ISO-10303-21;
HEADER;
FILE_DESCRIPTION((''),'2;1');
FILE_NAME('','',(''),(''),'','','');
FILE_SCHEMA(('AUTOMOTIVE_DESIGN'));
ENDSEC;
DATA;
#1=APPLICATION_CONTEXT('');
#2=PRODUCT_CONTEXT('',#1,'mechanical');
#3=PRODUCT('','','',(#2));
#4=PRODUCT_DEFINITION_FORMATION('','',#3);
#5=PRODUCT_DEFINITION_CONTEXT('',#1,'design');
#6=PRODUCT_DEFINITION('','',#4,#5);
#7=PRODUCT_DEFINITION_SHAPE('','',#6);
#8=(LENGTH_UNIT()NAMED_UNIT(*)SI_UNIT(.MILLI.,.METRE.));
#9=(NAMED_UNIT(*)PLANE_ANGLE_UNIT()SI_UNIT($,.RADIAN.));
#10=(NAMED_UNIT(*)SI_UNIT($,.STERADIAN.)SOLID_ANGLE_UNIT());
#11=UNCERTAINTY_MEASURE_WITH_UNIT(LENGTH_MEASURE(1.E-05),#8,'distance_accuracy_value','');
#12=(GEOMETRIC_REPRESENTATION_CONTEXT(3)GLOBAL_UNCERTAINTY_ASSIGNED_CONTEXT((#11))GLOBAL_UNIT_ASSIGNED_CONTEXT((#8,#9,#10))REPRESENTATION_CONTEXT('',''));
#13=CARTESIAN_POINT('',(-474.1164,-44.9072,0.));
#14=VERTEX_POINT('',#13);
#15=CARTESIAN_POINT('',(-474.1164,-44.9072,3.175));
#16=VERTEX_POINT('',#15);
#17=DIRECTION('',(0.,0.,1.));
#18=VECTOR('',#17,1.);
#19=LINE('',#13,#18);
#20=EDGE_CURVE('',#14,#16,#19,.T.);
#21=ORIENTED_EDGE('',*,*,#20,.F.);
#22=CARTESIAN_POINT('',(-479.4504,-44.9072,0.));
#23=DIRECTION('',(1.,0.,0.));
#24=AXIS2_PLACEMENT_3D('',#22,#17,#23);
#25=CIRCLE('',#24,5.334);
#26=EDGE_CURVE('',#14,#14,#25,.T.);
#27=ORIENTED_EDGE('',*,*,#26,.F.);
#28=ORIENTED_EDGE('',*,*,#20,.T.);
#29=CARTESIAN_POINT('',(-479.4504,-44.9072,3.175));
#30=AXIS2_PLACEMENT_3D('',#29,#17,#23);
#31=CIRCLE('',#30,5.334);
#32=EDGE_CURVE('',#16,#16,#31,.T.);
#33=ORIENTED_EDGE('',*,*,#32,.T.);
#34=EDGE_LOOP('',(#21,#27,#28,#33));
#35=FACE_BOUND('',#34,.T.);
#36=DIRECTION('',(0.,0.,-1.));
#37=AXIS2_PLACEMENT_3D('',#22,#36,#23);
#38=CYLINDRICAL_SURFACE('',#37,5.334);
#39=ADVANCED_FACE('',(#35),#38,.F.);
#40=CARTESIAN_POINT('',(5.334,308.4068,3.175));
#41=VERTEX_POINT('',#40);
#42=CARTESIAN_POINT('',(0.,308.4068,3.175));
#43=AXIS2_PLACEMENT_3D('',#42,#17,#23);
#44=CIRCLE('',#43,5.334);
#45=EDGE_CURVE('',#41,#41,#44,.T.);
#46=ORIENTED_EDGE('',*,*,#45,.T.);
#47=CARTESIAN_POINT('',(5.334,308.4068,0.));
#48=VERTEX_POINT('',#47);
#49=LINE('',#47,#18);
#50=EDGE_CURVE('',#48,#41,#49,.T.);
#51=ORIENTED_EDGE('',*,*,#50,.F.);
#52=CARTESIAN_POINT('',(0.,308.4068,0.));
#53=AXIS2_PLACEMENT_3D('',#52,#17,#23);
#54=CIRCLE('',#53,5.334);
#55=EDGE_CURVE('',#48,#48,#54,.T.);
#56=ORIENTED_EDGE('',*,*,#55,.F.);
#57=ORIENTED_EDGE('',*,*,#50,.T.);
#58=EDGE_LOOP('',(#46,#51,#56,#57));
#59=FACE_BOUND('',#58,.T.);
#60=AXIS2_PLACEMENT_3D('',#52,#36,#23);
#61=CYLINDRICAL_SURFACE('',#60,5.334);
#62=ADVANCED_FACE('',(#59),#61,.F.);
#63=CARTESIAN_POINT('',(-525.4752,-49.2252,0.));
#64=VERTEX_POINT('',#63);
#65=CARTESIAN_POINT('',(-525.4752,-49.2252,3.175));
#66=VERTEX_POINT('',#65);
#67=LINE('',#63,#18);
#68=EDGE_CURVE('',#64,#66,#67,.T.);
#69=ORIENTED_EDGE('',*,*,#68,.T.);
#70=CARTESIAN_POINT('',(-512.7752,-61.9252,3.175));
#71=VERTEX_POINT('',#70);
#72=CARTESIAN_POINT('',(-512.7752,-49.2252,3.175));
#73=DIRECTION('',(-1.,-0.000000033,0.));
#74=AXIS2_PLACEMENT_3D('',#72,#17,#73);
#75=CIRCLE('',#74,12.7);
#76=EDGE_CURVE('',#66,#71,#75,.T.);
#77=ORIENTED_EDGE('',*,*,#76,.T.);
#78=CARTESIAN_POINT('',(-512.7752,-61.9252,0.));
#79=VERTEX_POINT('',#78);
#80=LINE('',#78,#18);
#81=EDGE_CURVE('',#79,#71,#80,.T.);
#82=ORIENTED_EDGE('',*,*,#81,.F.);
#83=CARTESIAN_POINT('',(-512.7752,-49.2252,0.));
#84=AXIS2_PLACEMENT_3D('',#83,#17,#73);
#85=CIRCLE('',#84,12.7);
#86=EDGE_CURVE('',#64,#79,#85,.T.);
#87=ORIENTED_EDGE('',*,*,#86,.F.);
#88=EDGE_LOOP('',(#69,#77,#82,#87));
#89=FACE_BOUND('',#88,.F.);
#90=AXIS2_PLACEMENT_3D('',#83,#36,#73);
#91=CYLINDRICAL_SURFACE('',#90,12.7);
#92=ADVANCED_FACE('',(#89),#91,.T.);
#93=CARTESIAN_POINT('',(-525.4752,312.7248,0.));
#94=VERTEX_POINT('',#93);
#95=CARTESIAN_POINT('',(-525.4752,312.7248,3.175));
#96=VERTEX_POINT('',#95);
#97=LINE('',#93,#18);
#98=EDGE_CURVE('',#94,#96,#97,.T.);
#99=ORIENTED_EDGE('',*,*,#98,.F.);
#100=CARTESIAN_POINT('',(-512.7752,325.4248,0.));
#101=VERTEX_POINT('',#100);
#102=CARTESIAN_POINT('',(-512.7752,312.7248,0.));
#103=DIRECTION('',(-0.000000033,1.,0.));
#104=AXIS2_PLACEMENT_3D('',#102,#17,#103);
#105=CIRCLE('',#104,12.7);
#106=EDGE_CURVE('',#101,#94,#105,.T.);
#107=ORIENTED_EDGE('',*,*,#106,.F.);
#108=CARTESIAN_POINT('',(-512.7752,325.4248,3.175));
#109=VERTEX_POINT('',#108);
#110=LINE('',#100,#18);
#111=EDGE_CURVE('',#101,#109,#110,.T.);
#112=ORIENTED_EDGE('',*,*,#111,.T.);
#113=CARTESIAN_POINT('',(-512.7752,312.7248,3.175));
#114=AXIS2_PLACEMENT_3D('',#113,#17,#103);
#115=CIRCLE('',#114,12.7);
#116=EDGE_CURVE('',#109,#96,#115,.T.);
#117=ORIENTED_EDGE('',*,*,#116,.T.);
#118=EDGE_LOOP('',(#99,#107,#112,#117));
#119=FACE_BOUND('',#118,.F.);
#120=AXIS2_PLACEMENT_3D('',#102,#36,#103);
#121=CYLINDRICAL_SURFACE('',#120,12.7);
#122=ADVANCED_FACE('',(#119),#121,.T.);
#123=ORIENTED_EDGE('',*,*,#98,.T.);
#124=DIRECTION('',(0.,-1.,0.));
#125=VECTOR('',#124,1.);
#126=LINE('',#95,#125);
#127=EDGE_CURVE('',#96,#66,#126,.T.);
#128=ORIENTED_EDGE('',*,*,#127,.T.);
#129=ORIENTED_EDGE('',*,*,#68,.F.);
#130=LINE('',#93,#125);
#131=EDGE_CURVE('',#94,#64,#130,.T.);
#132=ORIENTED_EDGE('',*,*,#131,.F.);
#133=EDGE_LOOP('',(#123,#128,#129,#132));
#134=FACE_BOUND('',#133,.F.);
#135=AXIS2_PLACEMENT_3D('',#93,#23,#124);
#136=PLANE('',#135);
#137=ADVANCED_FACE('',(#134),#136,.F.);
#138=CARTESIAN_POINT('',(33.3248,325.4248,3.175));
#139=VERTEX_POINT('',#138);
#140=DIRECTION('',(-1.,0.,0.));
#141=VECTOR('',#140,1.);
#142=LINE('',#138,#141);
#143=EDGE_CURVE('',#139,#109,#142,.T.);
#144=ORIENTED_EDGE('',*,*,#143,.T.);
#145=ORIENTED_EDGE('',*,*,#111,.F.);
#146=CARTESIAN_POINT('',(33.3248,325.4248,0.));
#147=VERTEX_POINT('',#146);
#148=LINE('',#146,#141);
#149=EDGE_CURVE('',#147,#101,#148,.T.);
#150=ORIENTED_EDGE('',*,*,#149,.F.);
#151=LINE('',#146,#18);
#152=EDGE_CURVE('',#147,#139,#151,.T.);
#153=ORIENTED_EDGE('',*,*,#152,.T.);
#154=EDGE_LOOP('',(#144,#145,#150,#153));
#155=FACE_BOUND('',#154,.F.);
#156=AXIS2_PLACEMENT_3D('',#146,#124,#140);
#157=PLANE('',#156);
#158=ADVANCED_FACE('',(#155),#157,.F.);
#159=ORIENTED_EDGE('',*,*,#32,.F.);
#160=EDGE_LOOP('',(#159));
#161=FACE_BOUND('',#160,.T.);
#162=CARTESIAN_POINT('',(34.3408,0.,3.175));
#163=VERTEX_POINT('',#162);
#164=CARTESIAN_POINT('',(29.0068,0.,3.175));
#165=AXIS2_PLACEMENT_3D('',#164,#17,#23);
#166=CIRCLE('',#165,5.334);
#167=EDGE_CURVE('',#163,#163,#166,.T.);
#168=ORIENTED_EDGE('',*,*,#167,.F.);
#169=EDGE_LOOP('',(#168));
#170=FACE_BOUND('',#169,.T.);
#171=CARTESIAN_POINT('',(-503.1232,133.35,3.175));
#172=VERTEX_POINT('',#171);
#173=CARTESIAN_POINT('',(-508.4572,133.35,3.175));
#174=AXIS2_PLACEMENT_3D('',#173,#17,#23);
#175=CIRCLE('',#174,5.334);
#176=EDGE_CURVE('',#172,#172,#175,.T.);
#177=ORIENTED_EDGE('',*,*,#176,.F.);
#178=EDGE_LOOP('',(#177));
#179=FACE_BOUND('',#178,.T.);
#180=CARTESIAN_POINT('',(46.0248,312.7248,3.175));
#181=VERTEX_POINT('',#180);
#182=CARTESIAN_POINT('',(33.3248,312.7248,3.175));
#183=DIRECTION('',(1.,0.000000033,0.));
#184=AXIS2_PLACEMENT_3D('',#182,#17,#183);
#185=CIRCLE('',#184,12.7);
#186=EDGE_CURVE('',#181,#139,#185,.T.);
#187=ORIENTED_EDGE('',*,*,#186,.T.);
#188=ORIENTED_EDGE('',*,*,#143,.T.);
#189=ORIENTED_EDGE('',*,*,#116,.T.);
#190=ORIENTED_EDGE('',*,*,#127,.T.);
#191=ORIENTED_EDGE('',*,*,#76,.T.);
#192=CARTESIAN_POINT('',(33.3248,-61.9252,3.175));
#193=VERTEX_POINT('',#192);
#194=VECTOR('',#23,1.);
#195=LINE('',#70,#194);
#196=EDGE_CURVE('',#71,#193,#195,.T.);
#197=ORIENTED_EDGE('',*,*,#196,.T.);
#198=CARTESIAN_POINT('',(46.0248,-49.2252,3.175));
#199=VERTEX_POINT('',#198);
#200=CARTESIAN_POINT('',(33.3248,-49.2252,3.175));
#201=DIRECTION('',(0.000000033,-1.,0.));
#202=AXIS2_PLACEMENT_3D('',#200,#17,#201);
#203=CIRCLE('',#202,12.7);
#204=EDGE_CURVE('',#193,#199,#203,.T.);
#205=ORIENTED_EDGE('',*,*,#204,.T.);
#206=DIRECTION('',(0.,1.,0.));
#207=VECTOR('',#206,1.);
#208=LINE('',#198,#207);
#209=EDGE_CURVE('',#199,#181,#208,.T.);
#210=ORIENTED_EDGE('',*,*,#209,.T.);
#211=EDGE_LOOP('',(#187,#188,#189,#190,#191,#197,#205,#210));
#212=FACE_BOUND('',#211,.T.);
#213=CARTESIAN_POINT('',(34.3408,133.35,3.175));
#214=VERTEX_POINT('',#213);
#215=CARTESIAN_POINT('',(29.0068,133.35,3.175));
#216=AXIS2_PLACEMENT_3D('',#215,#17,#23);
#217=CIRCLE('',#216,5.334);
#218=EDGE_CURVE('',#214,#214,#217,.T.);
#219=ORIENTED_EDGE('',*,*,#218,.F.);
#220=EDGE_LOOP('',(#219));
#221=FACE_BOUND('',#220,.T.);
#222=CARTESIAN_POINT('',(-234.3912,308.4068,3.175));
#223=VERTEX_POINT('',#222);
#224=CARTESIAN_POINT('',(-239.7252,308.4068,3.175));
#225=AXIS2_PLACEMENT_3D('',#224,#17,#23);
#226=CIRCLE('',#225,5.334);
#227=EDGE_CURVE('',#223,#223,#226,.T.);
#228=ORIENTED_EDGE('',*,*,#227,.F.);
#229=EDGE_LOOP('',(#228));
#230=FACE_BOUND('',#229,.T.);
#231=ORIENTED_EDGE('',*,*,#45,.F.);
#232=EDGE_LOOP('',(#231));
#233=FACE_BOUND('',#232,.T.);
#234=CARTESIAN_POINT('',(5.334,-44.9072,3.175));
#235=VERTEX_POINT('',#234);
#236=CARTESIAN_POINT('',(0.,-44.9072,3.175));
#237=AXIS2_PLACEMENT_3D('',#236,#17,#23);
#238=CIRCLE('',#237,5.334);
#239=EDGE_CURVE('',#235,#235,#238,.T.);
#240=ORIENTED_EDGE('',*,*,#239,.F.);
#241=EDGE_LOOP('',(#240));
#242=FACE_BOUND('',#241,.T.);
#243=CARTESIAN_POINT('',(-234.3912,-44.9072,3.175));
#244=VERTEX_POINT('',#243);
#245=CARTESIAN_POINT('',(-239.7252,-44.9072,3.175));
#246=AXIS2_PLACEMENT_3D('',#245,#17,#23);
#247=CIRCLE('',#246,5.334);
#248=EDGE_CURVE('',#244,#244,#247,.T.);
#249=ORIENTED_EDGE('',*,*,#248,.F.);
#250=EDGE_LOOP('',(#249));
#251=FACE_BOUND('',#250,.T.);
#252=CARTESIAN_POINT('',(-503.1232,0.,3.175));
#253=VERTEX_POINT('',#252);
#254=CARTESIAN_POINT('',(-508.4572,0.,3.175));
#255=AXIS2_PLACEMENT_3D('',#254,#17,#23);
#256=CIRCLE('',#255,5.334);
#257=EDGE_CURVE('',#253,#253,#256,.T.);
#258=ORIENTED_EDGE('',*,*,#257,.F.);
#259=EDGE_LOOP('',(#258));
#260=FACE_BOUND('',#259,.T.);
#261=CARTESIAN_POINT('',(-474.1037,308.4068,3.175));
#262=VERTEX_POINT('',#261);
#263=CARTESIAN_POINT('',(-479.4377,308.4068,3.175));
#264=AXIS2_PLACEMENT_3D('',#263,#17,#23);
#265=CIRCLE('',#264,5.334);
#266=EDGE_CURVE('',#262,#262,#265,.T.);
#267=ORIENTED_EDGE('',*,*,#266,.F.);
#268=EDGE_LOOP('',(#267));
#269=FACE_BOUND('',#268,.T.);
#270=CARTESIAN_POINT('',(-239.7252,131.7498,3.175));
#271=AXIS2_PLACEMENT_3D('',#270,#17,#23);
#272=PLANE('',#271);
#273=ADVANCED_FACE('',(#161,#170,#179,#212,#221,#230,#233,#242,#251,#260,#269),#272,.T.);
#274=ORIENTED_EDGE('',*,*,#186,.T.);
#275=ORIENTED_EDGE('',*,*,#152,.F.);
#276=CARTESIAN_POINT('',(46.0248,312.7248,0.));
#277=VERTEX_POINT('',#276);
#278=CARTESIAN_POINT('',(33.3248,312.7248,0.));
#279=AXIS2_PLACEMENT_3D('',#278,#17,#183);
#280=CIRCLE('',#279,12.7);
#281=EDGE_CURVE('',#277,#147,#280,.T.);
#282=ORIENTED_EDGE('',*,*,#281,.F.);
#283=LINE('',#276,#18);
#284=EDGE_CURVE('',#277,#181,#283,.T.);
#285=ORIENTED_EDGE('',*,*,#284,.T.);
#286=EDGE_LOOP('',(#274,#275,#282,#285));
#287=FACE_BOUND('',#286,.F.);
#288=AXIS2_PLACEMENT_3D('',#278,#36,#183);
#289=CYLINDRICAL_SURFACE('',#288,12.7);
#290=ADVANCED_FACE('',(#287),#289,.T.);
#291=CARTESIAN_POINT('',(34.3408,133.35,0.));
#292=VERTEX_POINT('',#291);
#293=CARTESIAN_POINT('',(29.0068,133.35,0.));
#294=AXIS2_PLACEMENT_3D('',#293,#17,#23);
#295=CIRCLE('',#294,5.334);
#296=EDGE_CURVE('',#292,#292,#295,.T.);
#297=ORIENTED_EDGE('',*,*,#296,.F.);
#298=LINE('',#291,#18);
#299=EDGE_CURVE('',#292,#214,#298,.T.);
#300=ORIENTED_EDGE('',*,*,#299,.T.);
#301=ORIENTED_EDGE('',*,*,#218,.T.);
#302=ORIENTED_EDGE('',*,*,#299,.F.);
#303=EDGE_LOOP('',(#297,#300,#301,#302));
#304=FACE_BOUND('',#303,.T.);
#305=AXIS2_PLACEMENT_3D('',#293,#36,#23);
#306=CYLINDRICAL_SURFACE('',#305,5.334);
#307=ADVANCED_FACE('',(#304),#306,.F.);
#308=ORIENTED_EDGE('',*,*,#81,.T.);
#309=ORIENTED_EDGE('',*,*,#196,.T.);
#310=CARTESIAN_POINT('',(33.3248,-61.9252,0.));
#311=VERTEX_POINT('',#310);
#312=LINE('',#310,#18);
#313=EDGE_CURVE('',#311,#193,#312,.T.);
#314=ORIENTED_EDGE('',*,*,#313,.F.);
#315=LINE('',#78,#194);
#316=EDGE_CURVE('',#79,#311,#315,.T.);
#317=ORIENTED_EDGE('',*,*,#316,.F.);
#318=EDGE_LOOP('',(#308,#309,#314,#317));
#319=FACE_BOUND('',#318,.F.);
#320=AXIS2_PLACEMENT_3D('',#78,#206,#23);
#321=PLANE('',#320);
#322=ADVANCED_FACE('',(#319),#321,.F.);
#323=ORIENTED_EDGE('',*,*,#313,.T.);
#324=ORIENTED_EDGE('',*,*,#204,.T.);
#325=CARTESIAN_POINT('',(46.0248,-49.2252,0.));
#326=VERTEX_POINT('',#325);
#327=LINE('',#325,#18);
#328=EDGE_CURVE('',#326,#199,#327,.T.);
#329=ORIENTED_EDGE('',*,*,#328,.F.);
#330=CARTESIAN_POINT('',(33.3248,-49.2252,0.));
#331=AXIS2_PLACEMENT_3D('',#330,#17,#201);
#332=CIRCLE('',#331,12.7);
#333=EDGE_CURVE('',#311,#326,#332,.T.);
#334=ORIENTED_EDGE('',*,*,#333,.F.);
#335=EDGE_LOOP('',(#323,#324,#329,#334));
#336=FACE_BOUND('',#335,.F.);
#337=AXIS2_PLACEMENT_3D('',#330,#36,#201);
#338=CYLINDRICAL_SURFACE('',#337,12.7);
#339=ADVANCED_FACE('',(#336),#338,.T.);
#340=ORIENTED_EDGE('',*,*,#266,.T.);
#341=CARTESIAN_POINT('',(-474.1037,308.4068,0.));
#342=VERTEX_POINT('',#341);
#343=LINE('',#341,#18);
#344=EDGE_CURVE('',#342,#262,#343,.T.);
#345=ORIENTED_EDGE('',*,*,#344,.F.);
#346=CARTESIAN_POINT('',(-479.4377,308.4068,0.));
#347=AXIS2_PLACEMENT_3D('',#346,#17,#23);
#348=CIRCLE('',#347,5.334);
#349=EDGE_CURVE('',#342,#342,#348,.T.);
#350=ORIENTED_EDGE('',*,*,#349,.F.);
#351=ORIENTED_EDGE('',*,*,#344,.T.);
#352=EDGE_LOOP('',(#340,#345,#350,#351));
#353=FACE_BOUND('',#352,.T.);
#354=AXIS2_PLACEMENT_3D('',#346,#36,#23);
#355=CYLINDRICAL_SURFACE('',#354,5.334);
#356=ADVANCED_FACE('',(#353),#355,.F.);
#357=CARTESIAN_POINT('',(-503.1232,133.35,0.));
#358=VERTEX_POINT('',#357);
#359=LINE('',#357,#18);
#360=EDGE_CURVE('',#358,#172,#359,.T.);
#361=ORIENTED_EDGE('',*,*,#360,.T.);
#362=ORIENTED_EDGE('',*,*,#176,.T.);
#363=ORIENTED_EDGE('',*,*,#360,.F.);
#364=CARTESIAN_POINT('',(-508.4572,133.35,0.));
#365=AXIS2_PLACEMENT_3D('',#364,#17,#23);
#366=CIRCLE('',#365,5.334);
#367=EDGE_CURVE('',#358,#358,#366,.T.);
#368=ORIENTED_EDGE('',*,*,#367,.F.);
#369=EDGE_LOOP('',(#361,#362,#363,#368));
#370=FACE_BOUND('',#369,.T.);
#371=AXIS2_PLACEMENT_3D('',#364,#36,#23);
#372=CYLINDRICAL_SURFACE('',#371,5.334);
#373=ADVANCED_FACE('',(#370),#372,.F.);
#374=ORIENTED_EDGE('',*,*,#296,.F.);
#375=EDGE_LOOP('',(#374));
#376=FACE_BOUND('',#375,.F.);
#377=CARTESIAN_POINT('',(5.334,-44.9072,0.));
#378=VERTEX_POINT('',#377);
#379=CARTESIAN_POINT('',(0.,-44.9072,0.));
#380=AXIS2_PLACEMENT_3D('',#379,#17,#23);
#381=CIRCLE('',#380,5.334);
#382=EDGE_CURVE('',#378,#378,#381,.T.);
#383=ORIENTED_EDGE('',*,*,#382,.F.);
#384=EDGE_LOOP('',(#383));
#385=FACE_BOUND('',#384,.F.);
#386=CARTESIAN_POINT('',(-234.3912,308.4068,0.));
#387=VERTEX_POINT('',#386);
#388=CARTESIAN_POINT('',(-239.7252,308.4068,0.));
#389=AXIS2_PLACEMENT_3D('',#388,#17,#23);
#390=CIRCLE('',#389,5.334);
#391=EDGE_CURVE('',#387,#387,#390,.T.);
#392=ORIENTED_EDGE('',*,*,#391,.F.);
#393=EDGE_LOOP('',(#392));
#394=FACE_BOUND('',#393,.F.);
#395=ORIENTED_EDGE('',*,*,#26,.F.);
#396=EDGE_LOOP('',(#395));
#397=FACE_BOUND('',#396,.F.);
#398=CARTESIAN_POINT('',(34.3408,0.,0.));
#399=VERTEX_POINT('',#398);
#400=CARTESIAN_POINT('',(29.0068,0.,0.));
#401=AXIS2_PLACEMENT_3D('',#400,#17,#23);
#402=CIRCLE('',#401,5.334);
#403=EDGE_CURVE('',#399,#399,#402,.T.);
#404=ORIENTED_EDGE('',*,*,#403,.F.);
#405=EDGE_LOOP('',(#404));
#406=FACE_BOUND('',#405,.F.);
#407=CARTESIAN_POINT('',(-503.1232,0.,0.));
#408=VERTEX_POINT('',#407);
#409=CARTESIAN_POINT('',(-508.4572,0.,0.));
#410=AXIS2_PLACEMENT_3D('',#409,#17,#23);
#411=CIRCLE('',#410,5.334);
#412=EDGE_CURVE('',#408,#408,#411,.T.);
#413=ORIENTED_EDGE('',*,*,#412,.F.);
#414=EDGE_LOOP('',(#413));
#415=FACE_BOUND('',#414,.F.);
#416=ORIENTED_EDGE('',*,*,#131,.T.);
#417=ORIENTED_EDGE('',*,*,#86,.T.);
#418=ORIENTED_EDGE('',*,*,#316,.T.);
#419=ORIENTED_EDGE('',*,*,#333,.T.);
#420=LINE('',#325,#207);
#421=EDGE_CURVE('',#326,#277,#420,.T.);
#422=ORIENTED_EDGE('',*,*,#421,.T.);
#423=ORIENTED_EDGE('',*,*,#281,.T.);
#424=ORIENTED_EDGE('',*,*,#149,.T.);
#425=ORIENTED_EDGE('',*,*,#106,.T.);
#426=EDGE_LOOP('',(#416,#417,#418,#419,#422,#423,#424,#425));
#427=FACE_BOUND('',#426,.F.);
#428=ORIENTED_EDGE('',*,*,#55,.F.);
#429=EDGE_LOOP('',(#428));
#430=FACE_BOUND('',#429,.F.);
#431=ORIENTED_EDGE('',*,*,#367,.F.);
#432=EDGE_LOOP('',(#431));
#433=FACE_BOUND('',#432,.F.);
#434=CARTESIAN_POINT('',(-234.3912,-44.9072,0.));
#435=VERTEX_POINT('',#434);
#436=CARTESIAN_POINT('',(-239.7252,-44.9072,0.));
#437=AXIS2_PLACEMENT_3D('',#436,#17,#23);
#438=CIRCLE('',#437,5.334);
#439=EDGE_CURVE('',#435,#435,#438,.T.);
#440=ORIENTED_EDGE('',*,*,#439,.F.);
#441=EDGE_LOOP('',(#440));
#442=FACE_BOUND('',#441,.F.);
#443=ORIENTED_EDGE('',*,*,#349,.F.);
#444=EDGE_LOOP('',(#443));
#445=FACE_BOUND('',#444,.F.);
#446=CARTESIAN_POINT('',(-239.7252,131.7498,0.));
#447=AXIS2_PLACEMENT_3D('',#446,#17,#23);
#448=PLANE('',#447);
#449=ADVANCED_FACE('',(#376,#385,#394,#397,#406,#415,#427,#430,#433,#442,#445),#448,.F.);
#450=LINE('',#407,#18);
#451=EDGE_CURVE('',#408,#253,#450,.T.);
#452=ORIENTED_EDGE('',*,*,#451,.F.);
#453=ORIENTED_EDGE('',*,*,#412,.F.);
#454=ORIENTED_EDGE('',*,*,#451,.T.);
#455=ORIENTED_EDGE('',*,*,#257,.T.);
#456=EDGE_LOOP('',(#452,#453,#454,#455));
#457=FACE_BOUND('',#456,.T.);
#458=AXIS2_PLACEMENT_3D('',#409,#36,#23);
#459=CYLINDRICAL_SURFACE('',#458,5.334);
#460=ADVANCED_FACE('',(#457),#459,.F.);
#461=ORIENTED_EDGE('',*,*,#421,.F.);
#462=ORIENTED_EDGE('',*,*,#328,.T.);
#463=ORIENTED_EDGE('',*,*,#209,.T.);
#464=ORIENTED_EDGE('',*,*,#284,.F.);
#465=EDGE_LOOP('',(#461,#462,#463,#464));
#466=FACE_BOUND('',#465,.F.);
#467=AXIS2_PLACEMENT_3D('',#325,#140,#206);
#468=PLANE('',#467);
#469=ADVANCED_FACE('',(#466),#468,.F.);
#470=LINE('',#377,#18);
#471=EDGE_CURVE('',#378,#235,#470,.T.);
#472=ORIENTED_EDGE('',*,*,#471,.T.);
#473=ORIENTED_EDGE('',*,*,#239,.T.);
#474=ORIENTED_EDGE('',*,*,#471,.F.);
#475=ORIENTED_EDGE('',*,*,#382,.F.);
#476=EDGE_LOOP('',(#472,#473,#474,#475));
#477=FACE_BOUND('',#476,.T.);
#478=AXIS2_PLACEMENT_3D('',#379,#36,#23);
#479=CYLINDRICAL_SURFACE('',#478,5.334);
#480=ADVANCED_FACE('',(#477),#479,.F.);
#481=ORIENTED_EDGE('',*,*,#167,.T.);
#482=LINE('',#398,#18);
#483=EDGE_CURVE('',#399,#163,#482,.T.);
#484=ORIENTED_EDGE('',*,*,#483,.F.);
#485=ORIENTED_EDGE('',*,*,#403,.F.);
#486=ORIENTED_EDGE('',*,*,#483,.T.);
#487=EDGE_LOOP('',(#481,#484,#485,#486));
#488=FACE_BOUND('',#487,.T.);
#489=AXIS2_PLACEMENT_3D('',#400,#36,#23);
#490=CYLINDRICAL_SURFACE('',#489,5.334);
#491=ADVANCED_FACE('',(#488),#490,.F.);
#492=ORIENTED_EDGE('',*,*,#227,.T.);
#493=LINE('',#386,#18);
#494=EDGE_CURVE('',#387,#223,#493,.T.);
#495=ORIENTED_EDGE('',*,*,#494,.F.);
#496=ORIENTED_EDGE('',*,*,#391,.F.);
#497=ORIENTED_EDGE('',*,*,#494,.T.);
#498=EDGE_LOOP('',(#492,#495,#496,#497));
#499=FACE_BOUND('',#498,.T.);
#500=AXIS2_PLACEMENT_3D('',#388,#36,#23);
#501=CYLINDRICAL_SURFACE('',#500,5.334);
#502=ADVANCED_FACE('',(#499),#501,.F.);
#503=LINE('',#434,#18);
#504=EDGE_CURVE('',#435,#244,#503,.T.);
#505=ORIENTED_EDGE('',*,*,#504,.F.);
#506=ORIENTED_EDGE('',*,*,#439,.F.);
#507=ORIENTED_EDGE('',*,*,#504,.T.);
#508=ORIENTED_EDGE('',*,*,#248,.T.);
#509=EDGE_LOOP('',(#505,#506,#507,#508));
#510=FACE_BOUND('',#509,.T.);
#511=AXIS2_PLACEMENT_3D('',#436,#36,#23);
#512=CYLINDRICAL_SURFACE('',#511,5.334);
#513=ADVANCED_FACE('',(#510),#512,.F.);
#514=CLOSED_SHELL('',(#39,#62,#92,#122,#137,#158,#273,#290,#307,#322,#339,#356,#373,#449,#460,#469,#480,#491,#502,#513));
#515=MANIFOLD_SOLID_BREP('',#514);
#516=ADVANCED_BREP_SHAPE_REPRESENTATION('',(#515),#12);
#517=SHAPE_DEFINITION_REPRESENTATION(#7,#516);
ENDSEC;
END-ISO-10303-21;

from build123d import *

# Parameters (mm, degrees)
F0_R     = 5.334
F1_DEPTH = 3.175


with BuildPart() as f1:
    # F0 (on Top) → F1 (new body)
    with BuildSketch(Plane.XY):
        with BuildLine():
            Line((33.3248, 325.4248), (-512.7752, 325.4248))
            ThreePointArc((-512.7752, 325.4248), (-521.755456, 321.705056), (-525.4752, 312.7248))
            Line((-525.4752, 312.7248), (-525.4752, -49.2252))
            ThreePointArc((-525.4752, -49.2252), (-521.755456, -58.205456), (-512.7752, -61.9252))
            Line((-512.7752, -61.9252), (33.3248, -61.9252))
            ThreePointArc((33.3248, -61.9252), (42.305056, -58.205456), (46.0248, -49.2252))
            Line((46.0248, -49.2252), (46.0248, 312.7248))
            ThreePointArc((46.0248, 312.7248), (42.305056, 321.705056), (33.3248, 325.4248))
        make_face()
        with Locations((-479.4504, -44.9072)):
            Circle(F0_R, mode=Mode.SUBTRACT)
        with Locations((-508.4572, 0)):
            Circle(F0_R, mode=Mode.SUBTRACT)
        with Locations((-239.7252, -44.9072)):
            Circle(F0_R, mode=Mode.SUBTRACT)
        with Locations((0, -44.9072)):
            Circle(F0_R, mode=Mode.SUBTRACT)
        with Locations((29.0068, 0)):
            Circle(F0_R, mode=Mode.SUBTRACT)
        with Locations((-508.4572, 133.35)):
            Circle(F0_R, mode=Mode.SUBTRACT)
        with Locations((-479.4377, 308.4068)):
            Circle(F0_R, mode=Mode.SUBTRACT)
        with Locations((29.0068, 133.35)):
            Circle(F0_R, mode=Mode.SUBTRACT)
        with Locations((-239.7252, 308.4068)):
            Circle(F0_R, mode=Mode.SUBTRACT)
        with Locations((0, 308.4068)):
            Circle(F0_R, mode=Mode.SUBTRACT)
    extrude(amount=F1_DEPTH)


solid = f1.part
